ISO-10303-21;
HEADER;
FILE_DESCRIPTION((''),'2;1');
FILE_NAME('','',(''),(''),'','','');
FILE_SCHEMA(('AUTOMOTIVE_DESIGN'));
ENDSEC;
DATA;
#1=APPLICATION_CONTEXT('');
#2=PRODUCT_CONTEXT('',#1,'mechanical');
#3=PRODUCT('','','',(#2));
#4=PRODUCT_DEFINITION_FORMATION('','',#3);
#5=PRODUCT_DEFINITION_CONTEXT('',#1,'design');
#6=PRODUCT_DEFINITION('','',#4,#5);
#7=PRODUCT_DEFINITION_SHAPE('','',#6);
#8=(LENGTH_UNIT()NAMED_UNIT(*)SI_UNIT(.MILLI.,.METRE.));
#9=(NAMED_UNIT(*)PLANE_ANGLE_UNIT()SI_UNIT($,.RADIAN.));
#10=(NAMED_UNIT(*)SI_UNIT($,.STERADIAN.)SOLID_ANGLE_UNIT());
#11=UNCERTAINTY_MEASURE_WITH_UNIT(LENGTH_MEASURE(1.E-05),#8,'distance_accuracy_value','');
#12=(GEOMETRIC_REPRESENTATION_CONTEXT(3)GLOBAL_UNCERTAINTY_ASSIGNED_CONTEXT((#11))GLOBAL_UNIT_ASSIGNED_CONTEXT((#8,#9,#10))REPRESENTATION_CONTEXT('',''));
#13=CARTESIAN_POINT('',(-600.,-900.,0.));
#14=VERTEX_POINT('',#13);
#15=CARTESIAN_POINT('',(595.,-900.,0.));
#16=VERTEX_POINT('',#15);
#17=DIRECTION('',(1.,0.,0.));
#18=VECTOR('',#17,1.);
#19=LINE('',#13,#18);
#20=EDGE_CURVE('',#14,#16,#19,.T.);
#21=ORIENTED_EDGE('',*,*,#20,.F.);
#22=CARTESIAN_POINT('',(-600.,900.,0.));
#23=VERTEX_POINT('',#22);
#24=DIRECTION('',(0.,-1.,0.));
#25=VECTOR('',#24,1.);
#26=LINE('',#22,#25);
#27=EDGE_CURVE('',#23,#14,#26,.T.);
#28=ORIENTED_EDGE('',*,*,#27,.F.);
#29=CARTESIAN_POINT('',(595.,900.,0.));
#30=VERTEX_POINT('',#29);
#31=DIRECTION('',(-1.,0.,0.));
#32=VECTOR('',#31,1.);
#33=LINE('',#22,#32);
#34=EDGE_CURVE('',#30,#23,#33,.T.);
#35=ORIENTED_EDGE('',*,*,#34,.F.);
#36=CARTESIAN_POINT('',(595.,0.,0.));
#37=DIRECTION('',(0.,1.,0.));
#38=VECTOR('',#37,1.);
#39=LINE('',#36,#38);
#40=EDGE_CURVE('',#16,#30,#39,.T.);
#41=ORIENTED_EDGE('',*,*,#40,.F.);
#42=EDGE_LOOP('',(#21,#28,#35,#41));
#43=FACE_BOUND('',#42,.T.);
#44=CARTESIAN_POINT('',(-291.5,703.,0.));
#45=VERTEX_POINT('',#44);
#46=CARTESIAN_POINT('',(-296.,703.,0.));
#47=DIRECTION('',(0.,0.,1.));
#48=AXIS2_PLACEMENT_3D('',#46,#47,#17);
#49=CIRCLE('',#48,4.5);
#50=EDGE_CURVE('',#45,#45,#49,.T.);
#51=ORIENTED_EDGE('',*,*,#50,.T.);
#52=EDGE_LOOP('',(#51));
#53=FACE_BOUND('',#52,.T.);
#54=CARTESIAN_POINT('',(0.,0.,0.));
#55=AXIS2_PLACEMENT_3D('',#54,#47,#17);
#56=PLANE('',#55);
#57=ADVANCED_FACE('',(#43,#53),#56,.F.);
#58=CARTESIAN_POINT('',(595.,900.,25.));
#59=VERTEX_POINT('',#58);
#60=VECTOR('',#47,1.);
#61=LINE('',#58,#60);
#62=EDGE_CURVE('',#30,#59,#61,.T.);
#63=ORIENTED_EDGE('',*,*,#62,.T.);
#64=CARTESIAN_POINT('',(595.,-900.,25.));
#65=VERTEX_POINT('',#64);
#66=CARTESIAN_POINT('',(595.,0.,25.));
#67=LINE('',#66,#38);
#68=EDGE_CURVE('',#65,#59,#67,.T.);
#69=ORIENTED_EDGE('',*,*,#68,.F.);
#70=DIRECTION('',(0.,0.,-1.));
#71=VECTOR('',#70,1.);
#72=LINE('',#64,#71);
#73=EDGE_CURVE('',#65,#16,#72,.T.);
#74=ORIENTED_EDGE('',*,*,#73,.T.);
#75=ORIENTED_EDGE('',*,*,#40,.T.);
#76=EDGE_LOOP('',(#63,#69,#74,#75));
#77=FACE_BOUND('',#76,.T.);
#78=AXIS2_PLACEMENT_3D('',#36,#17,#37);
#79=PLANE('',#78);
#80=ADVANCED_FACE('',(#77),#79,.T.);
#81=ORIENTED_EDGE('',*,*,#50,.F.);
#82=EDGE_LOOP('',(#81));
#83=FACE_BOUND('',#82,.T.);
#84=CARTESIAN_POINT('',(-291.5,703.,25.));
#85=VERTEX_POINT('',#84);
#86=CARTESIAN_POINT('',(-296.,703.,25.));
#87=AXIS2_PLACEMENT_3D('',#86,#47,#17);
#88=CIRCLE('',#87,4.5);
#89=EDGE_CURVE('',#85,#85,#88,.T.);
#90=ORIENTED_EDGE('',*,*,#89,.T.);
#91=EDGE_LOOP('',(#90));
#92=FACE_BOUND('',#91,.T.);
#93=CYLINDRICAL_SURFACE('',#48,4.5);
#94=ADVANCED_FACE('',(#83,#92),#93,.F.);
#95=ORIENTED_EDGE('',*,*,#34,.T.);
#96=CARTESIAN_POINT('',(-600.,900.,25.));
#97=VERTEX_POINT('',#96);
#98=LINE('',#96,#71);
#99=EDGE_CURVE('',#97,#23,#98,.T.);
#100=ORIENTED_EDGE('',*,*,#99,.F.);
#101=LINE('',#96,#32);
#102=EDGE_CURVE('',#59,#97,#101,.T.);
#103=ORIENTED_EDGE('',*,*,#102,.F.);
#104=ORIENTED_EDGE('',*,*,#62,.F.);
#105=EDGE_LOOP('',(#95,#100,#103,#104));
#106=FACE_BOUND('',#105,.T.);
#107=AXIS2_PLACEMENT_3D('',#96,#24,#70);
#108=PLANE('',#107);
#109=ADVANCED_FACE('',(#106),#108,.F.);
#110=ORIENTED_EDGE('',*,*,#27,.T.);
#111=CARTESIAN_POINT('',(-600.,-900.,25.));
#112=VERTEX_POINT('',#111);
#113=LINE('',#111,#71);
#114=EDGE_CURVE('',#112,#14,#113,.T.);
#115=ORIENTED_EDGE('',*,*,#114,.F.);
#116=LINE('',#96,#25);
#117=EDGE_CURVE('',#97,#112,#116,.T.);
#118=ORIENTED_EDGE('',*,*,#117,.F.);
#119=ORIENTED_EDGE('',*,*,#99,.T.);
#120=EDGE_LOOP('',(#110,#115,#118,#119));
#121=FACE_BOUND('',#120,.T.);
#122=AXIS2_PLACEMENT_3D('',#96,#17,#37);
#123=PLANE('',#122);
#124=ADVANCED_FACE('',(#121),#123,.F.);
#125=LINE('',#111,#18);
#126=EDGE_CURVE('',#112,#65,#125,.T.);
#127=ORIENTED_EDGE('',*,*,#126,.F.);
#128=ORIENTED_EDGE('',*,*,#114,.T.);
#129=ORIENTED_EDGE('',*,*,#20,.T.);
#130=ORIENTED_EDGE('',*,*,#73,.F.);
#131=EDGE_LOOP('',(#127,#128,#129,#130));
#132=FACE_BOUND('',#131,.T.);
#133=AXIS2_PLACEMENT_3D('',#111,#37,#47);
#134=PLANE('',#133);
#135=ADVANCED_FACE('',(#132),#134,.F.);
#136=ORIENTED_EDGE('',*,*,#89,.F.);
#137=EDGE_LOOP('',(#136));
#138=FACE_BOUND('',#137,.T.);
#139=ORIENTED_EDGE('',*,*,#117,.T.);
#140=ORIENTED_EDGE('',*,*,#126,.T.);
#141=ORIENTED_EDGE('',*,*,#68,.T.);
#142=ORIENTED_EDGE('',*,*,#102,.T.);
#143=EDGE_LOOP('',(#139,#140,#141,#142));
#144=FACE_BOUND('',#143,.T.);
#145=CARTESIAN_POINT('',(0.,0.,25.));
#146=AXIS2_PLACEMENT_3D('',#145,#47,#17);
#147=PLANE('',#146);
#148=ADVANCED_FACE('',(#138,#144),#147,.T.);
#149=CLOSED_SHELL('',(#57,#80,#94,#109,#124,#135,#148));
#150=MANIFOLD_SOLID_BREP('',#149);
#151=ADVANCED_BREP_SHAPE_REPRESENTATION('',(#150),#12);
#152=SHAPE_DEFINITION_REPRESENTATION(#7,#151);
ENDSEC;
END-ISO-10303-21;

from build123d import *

# Parameters (mm, degrees)
SKETCH1_W           = 1200
SKETCH1_H           = 1800
BOSS_EXTRUDE1_DEPTH = 25
SKETCH2_R           = 4.5
CUT_EXTRUDE1_DEPTH  = 1082.954250419
SKETCH5_W           = 1918.317886643
SKETCH5_H           = 2614.541366737
CUT_EXTRUDE2_DEPTH  = 5


with BuildPart() as part:
    # Sketch1 → Boss-Extrude1 (new body)
    with BuildSketch(Plane.XY):
        Rectangle(SKETCH1_W, SKETCH1_H)
    extrude(amount=BOSS_EXTRUDE1_DEPTH)

    # Sketch2 → Cut-Extrude1 (cut, through all)
    with BuildSketch(Plane.XY.offset(25)):
        with Locations((-296, 703)):
            Circle(SKETCH2_R)
    extrude(amount=-CUT_EXTRUDE1_DEPTH, mode=Mode.SUBTRACT)

    # Sketch5 → Cut-Extrude2 (cut)
    with BuildSketch(Plane(origin=(600, 0, 0), x_dir=(0, 0, -1), z_dir=(1, 0, 0))):
        with Locations((50.456378519, -72.831888875)):
            Rectangle(SKETCH5_W, SKETCH5_H)
    extrude(amount=-CUT_EXTRUDE2_DEPTH, mode=Mode.SUBTRACT)


solid = part.part
